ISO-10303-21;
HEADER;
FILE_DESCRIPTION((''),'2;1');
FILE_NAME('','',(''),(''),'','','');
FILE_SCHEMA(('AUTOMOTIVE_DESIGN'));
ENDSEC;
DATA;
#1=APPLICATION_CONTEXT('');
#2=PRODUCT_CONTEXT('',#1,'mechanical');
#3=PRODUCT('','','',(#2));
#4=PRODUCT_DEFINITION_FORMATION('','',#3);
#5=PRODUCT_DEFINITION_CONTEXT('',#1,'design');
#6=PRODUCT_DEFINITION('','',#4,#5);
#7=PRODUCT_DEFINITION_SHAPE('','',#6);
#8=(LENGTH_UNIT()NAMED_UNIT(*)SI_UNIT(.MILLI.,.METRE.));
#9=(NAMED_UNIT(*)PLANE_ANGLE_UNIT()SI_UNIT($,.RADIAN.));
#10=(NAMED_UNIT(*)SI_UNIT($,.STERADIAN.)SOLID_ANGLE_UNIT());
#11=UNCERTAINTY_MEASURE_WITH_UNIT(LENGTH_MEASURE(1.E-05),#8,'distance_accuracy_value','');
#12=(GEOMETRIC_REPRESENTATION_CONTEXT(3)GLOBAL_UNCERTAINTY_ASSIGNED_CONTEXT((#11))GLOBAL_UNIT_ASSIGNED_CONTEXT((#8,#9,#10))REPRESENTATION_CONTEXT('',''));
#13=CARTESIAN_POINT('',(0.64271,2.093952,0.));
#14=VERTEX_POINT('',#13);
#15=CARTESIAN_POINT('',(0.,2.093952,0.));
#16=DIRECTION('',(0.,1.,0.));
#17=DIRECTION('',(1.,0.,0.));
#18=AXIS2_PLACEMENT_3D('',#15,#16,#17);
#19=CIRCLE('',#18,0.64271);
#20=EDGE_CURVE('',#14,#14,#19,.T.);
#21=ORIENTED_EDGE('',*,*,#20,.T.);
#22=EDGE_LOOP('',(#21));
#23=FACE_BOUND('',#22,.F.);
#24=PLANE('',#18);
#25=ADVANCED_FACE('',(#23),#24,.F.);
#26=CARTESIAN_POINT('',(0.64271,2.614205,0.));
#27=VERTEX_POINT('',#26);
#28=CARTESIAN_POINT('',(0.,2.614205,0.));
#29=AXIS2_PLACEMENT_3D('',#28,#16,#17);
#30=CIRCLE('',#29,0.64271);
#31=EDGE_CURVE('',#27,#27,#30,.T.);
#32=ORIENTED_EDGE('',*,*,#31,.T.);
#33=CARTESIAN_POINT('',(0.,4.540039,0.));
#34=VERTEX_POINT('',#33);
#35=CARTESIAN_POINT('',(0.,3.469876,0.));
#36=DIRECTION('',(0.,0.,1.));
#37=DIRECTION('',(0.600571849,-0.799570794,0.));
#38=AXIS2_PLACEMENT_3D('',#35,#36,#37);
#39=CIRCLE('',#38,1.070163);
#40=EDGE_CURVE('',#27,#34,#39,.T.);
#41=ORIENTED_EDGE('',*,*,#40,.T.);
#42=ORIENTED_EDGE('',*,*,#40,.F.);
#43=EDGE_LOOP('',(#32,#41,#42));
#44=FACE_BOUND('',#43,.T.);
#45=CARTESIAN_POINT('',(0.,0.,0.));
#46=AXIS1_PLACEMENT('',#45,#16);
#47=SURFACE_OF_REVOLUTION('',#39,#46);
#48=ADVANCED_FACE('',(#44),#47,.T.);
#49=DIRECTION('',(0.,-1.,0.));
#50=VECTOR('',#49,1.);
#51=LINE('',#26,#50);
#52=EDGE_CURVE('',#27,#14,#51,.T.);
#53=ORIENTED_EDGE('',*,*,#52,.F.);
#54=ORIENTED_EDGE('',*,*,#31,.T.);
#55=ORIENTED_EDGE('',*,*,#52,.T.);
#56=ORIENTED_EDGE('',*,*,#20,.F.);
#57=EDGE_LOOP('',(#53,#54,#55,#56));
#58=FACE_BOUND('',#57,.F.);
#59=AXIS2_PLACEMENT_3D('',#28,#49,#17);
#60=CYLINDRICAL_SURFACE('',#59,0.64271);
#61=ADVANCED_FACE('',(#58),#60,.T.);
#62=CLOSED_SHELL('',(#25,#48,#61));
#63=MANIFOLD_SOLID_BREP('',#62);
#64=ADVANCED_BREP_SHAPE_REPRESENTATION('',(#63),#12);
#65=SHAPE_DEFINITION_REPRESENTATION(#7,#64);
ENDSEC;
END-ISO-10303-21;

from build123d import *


with BuildPart() as part:
    # Sketch (on XY_Plane of Origin) → Revolution (revolve)
    with BuildSketch(Plane.XY):
        with BuildLine():
            ThreePointArc((0.64271, 2.614205), (1.015125, 3.808654), (0, 4.540039))
            Line((0, 4.540039), (0, 2.093952))
            Line((0.64271, 2.093952), (0, 2.093952))
            Line((0.64271, 2.614205), (0.64271, 2.093952))
        make_face()
    revolve(axis=Axis((0, 0, 0), (0, 1, 0)))


solid = part.part
